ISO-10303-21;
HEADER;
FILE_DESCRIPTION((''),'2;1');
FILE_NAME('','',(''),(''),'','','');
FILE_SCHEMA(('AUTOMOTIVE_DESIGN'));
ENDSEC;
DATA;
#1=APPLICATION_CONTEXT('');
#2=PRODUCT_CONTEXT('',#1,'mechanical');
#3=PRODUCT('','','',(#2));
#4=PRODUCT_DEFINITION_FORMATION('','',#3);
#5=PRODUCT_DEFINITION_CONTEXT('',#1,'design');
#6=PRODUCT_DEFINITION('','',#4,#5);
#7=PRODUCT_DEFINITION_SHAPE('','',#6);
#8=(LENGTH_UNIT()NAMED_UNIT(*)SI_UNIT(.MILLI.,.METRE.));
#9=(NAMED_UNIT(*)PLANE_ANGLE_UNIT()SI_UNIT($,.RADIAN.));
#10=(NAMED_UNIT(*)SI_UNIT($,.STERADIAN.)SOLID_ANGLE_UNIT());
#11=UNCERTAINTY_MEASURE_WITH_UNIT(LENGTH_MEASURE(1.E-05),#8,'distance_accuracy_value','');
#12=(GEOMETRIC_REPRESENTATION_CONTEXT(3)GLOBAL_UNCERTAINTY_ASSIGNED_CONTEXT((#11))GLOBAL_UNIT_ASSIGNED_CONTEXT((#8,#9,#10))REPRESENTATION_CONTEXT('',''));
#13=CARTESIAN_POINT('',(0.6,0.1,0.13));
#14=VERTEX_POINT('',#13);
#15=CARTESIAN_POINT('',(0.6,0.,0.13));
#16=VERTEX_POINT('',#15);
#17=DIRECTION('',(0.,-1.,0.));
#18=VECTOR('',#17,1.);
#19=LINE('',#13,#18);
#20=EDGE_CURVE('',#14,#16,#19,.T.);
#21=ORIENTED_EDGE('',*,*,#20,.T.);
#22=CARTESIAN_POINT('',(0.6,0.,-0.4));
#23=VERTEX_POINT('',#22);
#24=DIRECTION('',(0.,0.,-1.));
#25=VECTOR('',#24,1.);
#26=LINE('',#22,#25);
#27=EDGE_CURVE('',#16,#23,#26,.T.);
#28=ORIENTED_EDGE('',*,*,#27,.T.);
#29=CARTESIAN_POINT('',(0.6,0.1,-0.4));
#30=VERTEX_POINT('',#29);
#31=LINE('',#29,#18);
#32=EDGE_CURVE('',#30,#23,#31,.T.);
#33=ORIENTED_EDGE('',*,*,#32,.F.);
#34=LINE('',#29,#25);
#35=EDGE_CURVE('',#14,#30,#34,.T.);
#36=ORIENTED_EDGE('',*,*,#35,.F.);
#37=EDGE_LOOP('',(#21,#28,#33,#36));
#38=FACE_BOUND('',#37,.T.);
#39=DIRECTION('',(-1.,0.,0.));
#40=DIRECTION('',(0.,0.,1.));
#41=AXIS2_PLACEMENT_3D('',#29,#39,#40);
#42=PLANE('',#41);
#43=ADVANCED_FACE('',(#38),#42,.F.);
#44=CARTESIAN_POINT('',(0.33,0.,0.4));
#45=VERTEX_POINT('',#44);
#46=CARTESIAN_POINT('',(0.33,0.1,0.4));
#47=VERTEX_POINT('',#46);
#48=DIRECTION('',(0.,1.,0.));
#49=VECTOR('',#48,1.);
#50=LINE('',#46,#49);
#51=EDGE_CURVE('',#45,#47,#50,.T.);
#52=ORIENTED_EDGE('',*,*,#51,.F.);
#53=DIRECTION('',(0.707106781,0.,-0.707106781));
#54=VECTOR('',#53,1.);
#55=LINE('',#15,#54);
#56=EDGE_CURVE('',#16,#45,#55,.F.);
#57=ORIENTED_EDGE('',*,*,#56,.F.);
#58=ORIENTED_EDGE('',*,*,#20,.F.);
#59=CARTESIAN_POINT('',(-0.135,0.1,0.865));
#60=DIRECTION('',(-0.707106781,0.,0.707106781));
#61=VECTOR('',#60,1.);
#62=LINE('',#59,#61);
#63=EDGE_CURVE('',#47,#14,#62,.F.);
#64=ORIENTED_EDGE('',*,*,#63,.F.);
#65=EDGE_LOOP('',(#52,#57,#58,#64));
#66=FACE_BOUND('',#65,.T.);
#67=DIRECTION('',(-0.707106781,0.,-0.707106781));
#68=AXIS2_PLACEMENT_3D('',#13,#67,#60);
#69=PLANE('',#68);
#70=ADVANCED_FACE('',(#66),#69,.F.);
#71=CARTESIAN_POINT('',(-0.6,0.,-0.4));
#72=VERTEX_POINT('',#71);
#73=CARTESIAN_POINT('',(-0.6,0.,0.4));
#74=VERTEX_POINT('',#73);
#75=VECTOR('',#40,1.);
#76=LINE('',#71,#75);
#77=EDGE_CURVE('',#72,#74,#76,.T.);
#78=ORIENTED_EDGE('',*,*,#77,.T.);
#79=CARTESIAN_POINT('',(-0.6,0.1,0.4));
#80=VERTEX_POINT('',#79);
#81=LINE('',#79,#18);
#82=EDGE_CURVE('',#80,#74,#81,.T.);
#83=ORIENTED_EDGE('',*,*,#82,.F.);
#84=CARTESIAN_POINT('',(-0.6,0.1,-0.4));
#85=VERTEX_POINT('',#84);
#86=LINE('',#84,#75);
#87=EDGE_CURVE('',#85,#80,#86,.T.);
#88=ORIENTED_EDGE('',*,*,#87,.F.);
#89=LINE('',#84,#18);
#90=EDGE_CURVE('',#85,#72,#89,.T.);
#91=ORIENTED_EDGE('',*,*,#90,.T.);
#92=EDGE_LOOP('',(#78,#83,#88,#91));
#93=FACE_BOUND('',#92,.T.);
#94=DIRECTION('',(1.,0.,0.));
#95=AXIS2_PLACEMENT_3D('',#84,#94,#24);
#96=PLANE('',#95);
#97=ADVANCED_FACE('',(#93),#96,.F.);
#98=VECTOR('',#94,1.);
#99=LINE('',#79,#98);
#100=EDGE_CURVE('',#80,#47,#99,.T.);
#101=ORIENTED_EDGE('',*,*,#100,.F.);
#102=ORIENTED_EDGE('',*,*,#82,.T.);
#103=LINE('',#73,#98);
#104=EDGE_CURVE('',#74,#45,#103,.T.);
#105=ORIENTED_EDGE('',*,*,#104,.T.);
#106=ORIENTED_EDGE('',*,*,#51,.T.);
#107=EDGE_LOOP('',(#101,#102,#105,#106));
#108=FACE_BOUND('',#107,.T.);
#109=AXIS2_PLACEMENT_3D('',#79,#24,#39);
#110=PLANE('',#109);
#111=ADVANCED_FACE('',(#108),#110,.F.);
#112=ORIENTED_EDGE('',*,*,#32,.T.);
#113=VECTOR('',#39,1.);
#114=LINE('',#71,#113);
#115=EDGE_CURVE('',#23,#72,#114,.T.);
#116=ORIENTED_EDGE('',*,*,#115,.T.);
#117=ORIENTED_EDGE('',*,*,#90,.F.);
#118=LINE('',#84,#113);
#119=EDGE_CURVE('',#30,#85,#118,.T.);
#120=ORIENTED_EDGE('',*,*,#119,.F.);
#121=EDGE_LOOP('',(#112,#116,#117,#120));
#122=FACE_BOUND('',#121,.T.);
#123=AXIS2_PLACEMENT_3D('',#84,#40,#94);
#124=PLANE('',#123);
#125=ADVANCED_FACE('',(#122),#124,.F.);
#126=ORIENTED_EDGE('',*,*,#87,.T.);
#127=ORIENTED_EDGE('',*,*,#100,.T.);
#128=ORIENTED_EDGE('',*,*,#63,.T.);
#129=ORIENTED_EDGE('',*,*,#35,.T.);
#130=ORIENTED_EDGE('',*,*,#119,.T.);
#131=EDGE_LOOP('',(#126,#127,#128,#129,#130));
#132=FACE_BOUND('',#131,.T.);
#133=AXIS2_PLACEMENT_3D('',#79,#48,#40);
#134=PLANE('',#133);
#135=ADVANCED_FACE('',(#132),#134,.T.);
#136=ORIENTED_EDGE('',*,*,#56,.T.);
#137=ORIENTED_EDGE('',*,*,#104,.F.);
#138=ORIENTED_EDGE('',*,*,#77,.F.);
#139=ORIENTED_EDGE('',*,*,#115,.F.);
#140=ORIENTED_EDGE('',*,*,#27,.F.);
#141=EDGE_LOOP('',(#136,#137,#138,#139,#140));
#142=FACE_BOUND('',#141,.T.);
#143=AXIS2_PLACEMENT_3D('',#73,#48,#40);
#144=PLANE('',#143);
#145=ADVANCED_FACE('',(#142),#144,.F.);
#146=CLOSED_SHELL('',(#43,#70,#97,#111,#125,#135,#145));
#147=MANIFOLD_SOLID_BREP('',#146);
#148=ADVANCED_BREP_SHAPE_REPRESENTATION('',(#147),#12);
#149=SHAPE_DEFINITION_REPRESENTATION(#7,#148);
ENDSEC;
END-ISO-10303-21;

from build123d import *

# Parameters (mm, degrees)
ESBO_O1_W       = 1.2
ESBO_O1_H       = 0.8
EXTRUS_O1_DEPTH = 0.1
CHANFRO1_SIZE   = 0.27


with BuildPart() as part:
    # Esboço1 → Extrusão1 (new body)
    with BuildSketch(Plane(origin=(0, 0, 0), x_dir=(1, 0, 0), z_dir=(0, 1, 0))):
        Rectangle(ESBO_O1_W, ESBO_O1_H)
    extrude(amount=EXTRUS_O1_DEPTH)

    # Chanfro1
    chanfro1_edges = [part.edges().sort_by_distance(p)[0] for p in [
        (0.6, 0.05, 0.4),
    ]]
    chamfer(chanfro1_edges, length=CHANFRO1_SIZE)


solid = part.part
